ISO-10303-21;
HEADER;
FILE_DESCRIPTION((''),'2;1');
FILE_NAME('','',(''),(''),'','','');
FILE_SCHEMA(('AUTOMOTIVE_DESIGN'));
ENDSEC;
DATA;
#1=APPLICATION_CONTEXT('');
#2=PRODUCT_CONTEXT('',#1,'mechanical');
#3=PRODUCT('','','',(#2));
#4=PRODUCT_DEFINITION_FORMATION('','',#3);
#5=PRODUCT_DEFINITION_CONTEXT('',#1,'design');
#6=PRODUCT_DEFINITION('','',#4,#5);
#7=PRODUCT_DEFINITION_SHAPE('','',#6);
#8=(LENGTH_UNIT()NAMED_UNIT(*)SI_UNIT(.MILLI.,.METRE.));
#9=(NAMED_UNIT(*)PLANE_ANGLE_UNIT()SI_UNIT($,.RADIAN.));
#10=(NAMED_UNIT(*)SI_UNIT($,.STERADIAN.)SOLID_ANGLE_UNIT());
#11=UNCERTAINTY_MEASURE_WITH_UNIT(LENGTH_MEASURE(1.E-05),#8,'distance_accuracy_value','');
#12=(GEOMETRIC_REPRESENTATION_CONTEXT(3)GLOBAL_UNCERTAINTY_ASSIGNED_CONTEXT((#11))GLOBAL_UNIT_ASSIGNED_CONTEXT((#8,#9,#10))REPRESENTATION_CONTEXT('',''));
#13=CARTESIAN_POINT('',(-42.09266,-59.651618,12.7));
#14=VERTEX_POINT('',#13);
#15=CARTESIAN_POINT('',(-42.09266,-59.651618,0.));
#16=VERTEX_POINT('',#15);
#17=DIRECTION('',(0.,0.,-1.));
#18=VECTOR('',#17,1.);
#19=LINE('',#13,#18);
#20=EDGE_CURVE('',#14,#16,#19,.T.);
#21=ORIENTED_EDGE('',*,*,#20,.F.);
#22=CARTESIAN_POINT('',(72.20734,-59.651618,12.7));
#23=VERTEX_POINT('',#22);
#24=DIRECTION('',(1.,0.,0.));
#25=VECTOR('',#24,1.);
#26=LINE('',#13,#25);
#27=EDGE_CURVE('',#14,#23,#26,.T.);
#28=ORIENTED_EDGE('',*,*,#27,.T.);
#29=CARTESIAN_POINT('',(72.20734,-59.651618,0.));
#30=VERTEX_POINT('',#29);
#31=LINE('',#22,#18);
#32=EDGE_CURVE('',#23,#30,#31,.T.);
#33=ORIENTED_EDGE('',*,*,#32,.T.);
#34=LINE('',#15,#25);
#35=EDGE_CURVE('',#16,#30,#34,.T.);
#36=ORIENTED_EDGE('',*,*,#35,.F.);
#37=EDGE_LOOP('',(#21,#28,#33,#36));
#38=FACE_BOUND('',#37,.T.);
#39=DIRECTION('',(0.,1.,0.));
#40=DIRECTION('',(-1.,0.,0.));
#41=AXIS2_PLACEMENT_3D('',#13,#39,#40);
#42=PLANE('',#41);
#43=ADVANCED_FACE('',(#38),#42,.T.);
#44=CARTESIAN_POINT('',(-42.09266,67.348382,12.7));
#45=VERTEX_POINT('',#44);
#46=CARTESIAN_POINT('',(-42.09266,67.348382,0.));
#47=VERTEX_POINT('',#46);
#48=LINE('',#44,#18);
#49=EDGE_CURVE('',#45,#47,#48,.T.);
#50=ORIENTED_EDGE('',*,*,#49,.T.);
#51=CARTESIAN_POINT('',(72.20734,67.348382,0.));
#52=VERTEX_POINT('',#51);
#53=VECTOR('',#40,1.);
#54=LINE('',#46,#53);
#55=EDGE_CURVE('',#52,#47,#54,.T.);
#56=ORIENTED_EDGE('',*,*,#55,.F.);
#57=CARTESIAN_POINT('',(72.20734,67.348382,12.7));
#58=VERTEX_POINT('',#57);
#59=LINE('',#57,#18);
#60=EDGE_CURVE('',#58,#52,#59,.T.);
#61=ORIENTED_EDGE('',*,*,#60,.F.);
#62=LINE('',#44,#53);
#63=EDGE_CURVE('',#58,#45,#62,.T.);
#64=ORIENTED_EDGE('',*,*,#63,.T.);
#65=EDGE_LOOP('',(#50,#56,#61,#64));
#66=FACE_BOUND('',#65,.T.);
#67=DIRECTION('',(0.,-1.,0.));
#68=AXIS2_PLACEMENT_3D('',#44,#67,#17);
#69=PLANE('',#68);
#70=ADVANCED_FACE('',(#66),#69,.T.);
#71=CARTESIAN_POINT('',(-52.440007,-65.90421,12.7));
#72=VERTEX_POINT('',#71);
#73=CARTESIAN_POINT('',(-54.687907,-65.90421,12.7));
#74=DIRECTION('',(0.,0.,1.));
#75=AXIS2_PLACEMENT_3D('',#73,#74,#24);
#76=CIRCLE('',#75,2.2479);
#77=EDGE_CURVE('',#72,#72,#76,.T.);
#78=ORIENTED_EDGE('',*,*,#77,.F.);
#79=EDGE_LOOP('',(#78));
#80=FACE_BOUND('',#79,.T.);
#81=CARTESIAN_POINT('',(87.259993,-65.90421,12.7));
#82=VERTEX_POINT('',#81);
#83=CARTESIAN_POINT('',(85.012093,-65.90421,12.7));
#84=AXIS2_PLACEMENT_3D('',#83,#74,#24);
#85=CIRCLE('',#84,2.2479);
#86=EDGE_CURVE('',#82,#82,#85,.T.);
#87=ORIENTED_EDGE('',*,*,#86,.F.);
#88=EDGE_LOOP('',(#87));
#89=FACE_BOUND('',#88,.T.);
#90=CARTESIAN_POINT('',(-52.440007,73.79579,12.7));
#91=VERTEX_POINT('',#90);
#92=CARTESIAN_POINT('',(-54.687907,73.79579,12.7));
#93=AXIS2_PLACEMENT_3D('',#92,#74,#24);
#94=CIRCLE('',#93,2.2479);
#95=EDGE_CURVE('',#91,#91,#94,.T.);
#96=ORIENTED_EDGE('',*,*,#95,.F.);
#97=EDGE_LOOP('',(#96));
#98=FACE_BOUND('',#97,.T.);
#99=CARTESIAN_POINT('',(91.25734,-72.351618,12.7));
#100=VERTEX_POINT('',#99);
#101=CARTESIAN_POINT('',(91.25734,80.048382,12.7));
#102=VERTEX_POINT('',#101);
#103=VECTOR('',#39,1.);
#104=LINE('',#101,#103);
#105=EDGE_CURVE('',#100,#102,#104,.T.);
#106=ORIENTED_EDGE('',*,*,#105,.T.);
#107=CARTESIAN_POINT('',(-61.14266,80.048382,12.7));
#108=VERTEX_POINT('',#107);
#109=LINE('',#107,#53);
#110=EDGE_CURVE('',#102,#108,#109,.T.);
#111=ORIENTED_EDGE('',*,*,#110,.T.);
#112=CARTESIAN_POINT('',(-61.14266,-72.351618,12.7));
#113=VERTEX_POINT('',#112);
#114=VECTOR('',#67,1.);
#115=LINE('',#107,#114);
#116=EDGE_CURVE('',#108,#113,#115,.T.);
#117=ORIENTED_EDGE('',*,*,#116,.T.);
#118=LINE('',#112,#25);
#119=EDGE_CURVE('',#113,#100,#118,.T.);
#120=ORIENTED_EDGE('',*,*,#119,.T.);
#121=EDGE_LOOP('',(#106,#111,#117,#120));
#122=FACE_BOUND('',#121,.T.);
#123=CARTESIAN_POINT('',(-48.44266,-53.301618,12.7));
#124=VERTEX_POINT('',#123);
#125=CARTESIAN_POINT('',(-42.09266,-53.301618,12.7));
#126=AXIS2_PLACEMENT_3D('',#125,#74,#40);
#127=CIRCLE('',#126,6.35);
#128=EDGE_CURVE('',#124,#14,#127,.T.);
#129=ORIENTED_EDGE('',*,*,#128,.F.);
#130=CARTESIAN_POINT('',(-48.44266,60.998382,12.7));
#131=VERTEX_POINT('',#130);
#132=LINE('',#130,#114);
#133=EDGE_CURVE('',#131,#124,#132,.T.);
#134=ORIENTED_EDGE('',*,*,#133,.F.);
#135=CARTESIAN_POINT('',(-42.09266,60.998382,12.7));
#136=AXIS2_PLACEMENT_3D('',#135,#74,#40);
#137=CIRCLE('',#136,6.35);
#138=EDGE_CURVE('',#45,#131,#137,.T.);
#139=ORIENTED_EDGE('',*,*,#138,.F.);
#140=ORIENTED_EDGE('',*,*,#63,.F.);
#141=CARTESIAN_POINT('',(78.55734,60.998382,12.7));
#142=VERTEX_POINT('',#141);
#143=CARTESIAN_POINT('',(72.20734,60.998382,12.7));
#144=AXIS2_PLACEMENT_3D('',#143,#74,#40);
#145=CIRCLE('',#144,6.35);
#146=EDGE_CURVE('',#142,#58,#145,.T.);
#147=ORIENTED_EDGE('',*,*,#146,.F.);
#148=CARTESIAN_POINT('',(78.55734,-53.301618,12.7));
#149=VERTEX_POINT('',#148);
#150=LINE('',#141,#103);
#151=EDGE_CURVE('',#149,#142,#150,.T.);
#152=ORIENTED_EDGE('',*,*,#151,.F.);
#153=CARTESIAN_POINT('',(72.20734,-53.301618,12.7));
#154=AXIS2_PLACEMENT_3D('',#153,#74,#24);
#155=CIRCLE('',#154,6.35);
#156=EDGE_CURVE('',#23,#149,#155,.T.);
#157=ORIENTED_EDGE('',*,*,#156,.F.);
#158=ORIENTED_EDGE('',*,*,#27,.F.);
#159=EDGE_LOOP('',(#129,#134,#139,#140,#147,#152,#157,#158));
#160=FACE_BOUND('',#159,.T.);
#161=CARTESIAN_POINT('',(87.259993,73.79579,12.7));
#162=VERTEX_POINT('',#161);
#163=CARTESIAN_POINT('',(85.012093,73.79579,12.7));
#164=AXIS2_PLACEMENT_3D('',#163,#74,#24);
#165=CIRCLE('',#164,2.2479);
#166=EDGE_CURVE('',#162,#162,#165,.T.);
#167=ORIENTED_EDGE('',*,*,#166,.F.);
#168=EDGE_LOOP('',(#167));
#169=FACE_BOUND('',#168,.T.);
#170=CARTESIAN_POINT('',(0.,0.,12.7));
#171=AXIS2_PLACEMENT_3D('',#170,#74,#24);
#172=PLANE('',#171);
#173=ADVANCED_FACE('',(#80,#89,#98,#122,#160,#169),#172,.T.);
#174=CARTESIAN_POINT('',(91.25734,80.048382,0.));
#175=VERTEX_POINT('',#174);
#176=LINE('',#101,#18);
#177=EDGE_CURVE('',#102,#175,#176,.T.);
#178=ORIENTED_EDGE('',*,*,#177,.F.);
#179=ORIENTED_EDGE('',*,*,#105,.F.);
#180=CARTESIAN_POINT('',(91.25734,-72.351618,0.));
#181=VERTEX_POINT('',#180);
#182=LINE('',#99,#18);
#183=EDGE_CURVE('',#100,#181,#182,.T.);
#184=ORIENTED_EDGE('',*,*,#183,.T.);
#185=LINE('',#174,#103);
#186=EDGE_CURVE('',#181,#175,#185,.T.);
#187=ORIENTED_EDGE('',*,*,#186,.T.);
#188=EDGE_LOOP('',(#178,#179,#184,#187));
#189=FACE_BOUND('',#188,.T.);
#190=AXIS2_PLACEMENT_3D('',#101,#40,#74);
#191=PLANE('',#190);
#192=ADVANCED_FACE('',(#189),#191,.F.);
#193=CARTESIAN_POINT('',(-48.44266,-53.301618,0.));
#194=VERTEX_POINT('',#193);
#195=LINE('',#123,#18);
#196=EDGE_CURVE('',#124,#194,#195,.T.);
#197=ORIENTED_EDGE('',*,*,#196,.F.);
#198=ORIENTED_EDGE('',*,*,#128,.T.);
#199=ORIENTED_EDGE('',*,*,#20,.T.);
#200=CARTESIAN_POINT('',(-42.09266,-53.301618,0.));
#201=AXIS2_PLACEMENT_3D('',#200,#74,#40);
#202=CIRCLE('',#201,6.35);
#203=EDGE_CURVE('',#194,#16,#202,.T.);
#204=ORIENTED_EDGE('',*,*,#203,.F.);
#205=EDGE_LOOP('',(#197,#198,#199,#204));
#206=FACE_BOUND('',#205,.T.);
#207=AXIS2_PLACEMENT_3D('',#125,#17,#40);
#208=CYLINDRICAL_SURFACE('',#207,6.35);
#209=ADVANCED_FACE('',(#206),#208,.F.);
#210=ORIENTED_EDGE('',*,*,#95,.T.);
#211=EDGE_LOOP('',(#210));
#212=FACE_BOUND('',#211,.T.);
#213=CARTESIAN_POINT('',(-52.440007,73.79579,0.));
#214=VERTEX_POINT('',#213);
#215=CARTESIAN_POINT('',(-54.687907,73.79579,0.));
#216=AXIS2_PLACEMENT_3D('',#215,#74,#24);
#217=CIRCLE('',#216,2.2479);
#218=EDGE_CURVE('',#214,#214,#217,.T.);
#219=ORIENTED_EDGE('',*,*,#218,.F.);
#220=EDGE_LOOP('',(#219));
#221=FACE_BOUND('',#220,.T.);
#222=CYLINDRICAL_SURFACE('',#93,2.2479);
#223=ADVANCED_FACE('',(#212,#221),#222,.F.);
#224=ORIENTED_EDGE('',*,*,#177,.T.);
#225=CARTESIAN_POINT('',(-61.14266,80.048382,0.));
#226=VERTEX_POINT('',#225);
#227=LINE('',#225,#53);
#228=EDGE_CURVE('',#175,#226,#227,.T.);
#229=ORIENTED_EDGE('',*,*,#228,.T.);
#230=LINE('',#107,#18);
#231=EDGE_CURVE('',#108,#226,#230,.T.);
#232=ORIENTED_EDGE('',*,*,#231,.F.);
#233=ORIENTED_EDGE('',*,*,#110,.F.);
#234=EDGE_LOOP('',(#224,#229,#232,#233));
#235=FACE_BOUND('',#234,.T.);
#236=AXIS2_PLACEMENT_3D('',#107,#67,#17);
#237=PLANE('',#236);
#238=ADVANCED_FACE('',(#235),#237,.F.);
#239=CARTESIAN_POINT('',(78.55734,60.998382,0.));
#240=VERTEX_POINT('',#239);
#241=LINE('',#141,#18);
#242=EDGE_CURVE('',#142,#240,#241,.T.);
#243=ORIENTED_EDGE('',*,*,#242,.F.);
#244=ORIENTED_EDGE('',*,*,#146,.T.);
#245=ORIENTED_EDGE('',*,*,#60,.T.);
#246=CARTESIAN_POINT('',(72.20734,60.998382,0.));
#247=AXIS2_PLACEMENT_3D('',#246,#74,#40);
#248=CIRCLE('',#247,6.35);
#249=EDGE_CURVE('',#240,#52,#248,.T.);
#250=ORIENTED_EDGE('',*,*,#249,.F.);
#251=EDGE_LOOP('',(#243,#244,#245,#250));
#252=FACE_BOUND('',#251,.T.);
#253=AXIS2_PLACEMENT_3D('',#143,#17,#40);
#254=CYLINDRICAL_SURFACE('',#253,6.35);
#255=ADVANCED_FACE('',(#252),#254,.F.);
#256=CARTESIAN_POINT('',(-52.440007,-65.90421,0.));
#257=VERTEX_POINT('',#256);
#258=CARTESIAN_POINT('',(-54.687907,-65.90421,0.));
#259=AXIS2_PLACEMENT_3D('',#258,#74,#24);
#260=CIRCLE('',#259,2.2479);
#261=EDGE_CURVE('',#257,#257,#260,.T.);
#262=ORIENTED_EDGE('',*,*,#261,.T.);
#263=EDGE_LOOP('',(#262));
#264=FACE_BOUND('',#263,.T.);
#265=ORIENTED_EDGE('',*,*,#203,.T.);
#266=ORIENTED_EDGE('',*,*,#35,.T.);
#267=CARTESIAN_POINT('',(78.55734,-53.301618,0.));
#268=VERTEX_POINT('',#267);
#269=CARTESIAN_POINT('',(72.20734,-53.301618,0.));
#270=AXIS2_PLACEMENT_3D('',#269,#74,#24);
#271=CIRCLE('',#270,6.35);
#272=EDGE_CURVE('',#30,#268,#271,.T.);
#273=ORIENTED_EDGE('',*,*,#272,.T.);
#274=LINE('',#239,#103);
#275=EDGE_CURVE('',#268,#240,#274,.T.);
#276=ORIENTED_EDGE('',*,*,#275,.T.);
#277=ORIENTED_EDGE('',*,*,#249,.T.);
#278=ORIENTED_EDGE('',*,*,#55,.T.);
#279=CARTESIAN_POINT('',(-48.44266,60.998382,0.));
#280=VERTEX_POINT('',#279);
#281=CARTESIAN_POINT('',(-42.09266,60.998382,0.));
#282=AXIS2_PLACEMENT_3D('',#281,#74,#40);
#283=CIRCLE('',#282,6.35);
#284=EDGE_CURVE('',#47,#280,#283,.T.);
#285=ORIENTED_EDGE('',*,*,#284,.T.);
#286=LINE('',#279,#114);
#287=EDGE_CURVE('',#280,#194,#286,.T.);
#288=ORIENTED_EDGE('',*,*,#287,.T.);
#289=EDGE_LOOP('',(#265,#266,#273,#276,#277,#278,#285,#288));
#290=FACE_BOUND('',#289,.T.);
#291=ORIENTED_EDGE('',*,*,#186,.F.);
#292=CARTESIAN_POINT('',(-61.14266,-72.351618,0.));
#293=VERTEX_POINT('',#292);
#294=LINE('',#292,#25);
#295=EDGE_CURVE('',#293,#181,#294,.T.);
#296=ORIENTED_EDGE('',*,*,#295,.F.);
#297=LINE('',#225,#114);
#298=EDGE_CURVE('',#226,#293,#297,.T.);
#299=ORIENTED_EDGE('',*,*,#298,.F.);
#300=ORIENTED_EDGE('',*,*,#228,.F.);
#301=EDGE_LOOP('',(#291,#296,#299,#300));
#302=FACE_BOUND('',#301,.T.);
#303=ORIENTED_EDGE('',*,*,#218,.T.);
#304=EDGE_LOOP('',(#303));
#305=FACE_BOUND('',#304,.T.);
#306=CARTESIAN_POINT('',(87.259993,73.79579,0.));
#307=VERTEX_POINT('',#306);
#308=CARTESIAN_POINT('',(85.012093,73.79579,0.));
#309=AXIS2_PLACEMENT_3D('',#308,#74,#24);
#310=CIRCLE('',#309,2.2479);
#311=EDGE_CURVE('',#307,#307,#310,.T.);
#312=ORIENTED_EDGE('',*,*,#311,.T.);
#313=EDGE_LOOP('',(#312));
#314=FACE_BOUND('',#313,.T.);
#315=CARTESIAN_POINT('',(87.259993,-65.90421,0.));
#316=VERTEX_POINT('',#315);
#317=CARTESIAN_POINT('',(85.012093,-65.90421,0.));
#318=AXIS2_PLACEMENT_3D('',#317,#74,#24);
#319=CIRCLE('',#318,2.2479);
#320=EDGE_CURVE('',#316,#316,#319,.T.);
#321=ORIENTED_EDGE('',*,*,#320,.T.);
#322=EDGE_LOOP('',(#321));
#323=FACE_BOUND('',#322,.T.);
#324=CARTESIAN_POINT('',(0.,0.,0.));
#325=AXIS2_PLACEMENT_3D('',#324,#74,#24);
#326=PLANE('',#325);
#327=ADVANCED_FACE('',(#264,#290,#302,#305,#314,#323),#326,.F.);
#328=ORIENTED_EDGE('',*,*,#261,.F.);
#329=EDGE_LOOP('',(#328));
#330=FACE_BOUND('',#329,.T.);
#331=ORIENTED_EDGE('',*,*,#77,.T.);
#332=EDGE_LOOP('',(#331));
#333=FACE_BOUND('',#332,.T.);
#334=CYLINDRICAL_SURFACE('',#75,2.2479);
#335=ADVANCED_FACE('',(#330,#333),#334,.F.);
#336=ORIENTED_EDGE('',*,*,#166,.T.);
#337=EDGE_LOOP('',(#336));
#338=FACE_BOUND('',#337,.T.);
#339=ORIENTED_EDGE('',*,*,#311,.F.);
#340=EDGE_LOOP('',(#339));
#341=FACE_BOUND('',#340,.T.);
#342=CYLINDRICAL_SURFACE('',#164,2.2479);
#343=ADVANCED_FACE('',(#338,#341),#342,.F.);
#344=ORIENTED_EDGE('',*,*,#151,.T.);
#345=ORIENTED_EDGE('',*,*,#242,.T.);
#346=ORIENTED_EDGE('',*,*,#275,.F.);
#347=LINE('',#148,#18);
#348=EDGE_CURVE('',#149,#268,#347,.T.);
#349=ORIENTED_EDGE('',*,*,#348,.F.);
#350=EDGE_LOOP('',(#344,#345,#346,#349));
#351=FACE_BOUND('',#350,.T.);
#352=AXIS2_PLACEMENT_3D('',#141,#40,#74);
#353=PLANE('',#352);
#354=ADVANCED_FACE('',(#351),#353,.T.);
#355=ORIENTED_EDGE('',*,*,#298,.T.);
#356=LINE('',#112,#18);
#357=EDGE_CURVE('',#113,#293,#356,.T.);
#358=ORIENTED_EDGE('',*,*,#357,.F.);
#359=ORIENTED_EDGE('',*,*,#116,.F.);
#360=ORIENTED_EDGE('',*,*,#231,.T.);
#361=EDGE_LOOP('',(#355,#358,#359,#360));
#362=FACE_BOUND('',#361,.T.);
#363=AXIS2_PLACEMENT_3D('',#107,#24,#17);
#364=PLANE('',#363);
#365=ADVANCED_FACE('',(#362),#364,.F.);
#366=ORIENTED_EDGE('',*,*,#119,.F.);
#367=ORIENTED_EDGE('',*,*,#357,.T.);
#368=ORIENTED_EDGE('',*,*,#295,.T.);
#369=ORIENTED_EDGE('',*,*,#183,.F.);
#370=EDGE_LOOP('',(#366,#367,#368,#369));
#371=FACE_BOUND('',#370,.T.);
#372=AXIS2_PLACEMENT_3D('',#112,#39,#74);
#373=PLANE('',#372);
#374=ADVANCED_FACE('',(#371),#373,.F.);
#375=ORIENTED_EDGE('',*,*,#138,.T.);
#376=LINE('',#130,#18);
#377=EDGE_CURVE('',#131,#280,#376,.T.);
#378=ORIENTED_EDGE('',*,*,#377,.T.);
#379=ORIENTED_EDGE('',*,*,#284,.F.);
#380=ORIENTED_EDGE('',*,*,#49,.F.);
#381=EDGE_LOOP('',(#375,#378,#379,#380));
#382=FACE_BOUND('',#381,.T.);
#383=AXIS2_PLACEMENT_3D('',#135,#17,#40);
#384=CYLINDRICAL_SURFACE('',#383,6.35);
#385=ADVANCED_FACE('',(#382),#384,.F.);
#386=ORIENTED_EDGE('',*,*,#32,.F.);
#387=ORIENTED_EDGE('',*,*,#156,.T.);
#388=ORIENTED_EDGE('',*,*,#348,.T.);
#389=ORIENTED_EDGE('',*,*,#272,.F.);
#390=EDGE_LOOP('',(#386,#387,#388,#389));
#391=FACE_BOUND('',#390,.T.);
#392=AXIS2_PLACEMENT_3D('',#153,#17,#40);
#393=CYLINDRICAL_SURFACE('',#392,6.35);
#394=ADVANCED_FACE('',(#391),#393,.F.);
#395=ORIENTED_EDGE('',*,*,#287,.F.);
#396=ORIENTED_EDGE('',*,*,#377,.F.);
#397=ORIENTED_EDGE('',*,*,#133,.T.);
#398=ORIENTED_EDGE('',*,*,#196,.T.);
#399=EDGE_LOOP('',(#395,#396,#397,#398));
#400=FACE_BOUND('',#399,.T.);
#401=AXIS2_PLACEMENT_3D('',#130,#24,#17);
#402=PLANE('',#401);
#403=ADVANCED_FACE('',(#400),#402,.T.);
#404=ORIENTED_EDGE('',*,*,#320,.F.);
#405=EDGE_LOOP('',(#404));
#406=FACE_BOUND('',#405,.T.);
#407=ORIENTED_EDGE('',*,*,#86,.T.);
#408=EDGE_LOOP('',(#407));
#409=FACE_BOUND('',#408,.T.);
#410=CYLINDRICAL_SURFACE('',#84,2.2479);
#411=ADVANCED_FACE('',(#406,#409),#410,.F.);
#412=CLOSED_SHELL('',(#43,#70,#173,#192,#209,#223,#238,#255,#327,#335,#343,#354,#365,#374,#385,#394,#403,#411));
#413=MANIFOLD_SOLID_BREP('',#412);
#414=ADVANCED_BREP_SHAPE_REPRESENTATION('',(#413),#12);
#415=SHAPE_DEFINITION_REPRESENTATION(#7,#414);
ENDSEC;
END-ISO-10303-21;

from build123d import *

# Parameters (mm, degrees)
SKETCH1_W             = 152.4
SKETCH1_H             = 152.4
BOSS_EXTRUDE1_DEPTH   = 12.7
F_8_CLEARANCE_HOLE2_D = 4.4958
LPATTERN1_COUNT       = 2
LPATTERN1_PITCH       = 139.7
LPATTERN1_COUNT_DIR2  = 2
LPATTERN1_PITCH_DIR2  = 139.7


with BuildPart() as part:
    # Sketch1 → Boss-Extrude1 (new body)
    with BuildSketch(Plane.XY):
        with Locations((15.057340396, 3.848381836)):
            Rectangle(SKETCH1_W, SKETCH1_H)
        with BuildLine():
            Line((-42.092659604, 67.348381836), (72.207340396, 67.348381836))
            ThreePointArc((72.207340396, 67.348381836), (76.697468456, 65.488509896), (78.557340396, 60.998381836))
            Line((78.557340396, 60.998381836), (78.557340396, -53.301618164))
            ThreePointArc((78.557340396, -53.301618164), (76.697468456, -57.791746225), (72.207340396, -59.651618164))
            Line((72.207340396, -59.651618164), (-42.092659604, -59.651618164))
            ThreePointArc((-42.092659604, -59.651618164), (-46.582787665, -57.791746225), (-48.442659604, -53.301618164))
            Line((-48.442659604, -53.301618164), (-48.442659604, 60.998381836))
            ThreePointArc((-48.442659604, 60.998381836), (-46.582787665, 65.488509896), (-42.092659604, 67.348381836))
        make_face(mode=Mode.SUBTRACT)
    extrude(amount=BOSS_EXTRUDE1_DEPTH)

    # #8 Clearance Hole2 (through all)
    with Locations(Plane.XY.offset(12.7)):
        with Locations((-54.687907486, 73.795789856)):
            f_8_clearance_hole2 = Hole(F_8_CLEARANCE_HOLE2_D / 2)

    # LPattern1: 8 Clearance Hole2 2 × 2
    with Locations(*[(i * LPATTERN1_PITCH, -j * LPATTERN1_PITCH_DIR2, 0) for i in range(LPATTERN1_COUNT) for j in range(LPATTERN1_COUNT_DIR2) if (i, j) != (0, 0)]):
        add(f_8_clearance_hole2, mode=Mode.SUBTRACT)


solid = part.part
